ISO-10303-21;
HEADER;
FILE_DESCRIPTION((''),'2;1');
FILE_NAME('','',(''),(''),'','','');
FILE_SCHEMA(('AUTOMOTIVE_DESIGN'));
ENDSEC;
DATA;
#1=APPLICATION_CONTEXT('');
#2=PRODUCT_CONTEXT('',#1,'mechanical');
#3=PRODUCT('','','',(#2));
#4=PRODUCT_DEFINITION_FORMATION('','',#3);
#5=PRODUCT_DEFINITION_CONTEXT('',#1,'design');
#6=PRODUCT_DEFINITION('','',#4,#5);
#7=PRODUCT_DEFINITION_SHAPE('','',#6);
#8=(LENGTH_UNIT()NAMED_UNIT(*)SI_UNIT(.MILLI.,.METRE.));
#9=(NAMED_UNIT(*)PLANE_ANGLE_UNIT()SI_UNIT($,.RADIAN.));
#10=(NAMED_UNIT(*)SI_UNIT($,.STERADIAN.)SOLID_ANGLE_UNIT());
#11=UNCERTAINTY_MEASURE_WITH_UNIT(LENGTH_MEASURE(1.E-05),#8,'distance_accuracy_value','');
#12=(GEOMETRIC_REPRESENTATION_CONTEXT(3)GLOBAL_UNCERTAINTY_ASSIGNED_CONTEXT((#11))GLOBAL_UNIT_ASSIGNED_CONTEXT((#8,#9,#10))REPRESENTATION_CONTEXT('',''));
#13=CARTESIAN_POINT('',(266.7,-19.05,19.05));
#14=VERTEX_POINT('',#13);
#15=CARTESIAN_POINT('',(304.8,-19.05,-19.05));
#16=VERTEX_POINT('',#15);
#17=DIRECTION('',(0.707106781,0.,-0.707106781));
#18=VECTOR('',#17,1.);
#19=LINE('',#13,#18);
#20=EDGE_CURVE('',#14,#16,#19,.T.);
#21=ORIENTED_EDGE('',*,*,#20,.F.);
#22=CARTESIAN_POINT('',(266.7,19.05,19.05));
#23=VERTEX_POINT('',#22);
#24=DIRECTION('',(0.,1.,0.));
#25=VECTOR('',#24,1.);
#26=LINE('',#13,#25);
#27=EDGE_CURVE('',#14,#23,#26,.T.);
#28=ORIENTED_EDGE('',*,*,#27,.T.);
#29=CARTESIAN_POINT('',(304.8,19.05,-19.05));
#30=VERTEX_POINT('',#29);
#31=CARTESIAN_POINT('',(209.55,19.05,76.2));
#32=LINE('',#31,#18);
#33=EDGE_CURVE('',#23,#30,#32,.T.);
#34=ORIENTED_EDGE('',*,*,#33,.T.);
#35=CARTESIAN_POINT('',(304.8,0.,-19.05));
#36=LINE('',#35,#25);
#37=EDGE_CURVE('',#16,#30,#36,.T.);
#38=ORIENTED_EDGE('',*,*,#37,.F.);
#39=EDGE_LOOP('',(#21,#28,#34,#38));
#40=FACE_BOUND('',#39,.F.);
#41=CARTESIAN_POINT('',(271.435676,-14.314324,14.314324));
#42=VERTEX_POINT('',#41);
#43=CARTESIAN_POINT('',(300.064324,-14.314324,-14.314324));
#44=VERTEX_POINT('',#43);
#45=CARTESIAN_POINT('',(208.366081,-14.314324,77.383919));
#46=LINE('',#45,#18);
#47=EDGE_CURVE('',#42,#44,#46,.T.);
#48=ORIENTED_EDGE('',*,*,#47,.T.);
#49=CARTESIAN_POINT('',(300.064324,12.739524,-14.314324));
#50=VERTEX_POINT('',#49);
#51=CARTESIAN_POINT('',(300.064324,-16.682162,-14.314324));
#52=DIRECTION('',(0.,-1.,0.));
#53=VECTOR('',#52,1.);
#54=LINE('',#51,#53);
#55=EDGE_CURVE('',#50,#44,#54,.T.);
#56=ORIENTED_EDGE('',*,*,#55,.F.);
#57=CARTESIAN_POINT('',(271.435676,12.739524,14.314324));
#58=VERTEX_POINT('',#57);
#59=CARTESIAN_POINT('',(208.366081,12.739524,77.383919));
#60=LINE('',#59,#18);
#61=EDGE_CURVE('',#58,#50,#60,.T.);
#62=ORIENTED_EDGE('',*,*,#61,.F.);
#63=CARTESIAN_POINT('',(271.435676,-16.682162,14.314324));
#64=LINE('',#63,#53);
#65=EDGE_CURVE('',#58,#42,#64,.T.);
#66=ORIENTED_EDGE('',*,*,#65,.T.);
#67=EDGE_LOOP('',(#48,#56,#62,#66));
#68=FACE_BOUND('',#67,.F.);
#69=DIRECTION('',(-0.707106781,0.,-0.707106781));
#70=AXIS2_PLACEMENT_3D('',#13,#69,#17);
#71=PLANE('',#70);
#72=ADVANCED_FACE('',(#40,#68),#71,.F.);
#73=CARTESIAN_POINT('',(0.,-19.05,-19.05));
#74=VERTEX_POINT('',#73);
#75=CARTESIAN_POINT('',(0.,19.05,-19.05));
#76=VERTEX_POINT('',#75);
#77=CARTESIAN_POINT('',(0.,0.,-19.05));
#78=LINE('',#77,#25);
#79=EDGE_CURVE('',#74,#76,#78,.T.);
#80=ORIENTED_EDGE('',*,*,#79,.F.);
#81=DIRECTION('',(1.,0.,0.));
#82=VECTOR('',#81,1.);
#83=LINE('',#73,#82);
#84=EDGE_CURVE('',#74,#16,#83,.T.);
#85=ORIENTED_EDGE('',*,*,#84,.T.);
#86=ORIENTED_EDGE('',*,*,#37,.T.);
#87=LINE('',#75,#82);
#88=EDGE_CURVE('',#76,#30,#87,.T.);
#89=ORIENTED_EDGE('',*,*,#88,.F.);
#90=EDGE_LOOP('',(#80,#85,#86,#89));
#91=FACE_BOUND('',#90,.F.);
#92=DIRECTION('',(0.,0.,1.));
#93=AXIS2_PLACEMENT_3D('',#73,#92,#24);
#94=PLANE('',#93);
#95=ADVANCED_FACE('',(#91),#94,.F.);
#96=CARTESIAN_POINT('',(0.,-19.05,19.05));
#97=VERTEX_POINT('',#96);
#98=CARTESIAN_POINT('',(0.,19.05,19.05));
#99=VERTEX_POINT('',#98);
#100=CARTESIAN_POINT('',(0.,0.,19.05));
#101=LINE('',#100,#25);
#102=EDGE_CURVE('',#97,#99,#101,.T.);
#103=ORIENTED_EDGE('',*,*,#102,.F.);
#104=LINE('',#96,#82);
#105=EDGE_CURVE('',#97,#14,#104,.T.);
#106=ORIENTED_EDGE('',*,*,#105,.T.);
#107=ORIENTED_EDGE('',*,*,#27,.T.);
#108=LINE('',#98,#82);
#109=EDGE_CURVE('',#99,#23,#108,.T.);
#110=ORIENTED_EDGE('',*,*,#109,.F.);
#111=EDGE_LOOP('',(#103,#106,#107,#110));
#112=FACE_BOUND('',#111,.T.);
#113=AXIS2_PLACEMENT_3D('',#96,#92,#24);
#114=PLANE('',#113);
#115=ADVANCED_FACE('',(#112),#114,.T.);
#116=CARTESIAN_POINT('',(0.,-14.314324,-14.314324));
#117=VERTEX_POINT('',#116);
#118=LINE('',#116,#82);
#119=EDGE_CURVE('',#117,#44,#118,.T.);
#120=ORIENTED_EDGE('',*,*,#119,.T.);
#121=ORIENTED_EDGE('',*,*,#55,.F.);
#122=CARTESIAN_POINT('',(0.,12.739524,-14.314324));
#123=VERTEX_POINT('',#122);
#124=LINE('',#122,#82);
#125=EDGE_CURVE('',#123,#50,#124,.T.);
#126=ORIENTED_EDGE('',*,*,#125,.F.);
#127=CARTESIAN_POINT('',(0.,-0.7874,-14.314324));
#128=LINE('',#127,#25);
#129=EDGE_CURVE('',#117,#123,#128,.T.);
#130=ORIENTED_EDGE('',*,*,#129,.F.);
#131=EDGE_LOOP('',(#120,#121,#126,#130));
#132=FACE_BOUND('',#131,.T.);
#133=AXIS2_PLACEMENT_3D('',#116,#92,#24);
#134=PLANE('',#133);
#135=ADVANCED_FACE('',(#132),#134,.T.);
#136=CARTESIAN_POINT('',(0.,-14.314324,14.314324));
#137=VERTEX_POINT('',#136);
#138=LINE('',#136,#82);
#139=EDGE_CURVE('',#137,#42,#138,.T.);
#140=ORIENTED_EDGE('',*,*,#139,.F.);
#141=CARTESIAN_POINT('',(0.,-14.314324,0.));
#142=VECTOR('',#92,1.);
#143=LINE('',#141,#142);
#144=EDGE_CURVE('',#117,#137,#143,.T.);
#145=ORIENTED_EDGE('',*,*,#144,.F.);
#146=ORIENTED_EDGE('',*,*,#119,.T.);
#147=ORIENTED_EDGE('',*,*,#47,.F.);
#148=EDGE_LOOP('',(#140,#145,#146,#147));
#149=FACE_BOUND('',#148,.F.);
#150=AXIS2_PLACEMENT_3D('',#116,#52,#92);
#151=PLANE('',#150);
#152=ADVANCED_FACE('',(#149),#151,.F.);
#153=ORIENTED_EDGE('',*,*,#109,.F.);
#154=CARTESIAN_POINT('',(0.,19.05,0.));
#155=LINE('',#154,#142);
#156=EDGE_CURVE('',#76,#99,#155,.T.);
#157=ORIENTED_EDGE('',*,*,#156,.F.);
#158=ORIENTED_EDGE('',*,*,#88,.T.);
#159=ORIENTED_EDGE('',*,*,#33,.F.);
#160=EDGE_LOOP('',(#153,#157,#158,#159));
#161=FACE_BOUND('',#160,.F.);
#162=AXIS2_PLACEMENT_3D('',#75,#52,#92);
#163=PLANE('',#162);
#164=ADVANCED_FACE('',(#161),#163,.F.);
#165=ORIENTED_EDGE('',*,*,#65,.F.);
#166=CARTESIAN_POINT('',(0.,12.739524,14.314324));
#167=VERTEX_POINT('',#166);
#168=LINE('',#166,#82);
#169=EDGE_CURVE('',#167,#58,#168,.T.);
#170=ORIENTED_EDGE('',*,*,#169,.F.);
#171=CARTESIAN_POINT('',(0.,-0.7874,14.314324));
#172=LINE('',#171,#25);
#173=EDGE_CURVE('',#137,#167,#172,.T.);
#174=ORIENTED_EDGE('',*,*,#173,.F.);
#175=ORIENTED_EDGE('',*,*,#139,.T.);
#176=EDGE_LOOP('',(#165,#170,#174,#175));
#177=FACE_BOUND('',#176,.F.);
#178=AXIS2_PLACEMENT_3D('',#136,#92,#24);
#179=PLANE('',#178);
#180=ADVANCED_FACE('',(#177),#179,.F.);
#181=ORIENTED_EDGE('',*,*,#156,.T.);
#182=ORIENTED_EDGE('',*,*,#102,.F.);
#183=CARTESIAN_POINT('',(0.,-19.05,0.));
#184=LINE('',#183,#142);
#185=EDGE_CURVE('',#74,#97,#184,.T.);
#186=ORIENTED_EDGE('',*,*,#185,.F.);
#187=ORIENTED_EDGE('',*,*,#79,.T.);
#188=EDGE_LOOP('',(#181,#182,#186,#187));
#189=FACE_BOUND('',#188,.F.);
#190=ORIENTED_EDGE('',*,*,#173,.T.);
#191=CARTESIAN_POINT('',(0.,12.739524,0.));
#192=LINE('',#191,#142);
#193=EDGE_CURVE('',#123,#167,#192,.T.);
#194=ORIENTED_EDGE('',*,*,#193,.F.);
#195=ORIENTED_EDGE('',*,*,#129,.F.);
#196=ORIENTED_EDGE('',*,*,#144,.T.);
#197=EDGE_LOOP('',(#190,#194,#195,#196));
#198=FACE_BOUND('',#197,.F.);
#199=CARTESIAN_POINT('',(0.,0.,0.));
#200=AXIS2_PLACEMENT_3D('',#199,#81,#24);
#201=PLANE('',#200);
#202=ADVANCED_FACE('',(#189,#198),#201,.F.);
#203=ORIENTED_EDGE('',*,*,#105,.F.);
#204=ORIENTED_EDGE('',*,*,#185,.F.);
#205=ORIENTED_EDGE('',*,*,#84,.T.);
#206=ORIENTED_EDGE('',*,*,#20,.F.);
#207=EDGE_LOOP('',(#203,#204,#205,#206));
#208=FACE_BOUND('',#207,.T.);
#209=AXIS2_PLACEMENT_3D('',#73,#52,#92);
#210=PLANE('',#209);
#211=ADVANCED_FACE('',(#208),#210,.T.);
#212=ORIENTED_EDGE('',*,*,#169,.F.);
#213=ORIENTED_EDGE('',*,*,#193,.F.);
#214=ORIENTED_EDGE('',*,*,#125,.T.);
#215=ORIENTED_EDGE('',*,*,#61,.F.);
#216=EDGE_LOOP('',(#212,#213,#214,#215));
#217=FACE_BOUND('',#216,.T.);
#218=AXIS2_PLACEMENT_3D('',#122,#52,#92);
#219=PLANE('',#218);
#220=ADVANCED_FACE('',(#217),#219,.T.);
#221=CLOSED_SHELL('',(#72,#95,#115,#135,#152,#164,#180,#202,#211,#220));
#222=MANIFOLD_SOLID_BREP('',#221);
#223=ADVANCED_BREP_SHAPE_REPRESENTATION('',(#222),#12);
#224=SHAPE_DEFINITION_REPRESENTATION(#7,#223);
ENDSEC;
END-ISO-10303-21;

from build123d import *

# Parameters (mm, degrees)
F0_W     = 38.1
F0_H     = 38.1
F0_W_2   = 27.053848
F0_H_2   = 28.628648
F1_DEPTH = 304.8
F3_DEPTH = 38.101


with BuildPart() as f1:
    # F0 (on Right) → F1 (new body)
    with BuildSketch(Plane.YZ):
        Rectangle(F0_W, F0_H)
        with Locations((-0.7874, 0)):
            Rectangle(F0_W_2, F0_H_2, mode=Mode.SUBTRACT)
    extrude(amount=F1_DEPTH)

    # F2 (on face) → F3 (cut, through all)
    with BuildSketch(Plane.XZ.offset(19.05)):
        Polygon((266.7, 19.05), (304.8, -19.05), (304.8, 19.05), align=None)
    extrude(amount=-F3_DEPTH, mode=Mode.SUBTRACT)


solid = f1.part
